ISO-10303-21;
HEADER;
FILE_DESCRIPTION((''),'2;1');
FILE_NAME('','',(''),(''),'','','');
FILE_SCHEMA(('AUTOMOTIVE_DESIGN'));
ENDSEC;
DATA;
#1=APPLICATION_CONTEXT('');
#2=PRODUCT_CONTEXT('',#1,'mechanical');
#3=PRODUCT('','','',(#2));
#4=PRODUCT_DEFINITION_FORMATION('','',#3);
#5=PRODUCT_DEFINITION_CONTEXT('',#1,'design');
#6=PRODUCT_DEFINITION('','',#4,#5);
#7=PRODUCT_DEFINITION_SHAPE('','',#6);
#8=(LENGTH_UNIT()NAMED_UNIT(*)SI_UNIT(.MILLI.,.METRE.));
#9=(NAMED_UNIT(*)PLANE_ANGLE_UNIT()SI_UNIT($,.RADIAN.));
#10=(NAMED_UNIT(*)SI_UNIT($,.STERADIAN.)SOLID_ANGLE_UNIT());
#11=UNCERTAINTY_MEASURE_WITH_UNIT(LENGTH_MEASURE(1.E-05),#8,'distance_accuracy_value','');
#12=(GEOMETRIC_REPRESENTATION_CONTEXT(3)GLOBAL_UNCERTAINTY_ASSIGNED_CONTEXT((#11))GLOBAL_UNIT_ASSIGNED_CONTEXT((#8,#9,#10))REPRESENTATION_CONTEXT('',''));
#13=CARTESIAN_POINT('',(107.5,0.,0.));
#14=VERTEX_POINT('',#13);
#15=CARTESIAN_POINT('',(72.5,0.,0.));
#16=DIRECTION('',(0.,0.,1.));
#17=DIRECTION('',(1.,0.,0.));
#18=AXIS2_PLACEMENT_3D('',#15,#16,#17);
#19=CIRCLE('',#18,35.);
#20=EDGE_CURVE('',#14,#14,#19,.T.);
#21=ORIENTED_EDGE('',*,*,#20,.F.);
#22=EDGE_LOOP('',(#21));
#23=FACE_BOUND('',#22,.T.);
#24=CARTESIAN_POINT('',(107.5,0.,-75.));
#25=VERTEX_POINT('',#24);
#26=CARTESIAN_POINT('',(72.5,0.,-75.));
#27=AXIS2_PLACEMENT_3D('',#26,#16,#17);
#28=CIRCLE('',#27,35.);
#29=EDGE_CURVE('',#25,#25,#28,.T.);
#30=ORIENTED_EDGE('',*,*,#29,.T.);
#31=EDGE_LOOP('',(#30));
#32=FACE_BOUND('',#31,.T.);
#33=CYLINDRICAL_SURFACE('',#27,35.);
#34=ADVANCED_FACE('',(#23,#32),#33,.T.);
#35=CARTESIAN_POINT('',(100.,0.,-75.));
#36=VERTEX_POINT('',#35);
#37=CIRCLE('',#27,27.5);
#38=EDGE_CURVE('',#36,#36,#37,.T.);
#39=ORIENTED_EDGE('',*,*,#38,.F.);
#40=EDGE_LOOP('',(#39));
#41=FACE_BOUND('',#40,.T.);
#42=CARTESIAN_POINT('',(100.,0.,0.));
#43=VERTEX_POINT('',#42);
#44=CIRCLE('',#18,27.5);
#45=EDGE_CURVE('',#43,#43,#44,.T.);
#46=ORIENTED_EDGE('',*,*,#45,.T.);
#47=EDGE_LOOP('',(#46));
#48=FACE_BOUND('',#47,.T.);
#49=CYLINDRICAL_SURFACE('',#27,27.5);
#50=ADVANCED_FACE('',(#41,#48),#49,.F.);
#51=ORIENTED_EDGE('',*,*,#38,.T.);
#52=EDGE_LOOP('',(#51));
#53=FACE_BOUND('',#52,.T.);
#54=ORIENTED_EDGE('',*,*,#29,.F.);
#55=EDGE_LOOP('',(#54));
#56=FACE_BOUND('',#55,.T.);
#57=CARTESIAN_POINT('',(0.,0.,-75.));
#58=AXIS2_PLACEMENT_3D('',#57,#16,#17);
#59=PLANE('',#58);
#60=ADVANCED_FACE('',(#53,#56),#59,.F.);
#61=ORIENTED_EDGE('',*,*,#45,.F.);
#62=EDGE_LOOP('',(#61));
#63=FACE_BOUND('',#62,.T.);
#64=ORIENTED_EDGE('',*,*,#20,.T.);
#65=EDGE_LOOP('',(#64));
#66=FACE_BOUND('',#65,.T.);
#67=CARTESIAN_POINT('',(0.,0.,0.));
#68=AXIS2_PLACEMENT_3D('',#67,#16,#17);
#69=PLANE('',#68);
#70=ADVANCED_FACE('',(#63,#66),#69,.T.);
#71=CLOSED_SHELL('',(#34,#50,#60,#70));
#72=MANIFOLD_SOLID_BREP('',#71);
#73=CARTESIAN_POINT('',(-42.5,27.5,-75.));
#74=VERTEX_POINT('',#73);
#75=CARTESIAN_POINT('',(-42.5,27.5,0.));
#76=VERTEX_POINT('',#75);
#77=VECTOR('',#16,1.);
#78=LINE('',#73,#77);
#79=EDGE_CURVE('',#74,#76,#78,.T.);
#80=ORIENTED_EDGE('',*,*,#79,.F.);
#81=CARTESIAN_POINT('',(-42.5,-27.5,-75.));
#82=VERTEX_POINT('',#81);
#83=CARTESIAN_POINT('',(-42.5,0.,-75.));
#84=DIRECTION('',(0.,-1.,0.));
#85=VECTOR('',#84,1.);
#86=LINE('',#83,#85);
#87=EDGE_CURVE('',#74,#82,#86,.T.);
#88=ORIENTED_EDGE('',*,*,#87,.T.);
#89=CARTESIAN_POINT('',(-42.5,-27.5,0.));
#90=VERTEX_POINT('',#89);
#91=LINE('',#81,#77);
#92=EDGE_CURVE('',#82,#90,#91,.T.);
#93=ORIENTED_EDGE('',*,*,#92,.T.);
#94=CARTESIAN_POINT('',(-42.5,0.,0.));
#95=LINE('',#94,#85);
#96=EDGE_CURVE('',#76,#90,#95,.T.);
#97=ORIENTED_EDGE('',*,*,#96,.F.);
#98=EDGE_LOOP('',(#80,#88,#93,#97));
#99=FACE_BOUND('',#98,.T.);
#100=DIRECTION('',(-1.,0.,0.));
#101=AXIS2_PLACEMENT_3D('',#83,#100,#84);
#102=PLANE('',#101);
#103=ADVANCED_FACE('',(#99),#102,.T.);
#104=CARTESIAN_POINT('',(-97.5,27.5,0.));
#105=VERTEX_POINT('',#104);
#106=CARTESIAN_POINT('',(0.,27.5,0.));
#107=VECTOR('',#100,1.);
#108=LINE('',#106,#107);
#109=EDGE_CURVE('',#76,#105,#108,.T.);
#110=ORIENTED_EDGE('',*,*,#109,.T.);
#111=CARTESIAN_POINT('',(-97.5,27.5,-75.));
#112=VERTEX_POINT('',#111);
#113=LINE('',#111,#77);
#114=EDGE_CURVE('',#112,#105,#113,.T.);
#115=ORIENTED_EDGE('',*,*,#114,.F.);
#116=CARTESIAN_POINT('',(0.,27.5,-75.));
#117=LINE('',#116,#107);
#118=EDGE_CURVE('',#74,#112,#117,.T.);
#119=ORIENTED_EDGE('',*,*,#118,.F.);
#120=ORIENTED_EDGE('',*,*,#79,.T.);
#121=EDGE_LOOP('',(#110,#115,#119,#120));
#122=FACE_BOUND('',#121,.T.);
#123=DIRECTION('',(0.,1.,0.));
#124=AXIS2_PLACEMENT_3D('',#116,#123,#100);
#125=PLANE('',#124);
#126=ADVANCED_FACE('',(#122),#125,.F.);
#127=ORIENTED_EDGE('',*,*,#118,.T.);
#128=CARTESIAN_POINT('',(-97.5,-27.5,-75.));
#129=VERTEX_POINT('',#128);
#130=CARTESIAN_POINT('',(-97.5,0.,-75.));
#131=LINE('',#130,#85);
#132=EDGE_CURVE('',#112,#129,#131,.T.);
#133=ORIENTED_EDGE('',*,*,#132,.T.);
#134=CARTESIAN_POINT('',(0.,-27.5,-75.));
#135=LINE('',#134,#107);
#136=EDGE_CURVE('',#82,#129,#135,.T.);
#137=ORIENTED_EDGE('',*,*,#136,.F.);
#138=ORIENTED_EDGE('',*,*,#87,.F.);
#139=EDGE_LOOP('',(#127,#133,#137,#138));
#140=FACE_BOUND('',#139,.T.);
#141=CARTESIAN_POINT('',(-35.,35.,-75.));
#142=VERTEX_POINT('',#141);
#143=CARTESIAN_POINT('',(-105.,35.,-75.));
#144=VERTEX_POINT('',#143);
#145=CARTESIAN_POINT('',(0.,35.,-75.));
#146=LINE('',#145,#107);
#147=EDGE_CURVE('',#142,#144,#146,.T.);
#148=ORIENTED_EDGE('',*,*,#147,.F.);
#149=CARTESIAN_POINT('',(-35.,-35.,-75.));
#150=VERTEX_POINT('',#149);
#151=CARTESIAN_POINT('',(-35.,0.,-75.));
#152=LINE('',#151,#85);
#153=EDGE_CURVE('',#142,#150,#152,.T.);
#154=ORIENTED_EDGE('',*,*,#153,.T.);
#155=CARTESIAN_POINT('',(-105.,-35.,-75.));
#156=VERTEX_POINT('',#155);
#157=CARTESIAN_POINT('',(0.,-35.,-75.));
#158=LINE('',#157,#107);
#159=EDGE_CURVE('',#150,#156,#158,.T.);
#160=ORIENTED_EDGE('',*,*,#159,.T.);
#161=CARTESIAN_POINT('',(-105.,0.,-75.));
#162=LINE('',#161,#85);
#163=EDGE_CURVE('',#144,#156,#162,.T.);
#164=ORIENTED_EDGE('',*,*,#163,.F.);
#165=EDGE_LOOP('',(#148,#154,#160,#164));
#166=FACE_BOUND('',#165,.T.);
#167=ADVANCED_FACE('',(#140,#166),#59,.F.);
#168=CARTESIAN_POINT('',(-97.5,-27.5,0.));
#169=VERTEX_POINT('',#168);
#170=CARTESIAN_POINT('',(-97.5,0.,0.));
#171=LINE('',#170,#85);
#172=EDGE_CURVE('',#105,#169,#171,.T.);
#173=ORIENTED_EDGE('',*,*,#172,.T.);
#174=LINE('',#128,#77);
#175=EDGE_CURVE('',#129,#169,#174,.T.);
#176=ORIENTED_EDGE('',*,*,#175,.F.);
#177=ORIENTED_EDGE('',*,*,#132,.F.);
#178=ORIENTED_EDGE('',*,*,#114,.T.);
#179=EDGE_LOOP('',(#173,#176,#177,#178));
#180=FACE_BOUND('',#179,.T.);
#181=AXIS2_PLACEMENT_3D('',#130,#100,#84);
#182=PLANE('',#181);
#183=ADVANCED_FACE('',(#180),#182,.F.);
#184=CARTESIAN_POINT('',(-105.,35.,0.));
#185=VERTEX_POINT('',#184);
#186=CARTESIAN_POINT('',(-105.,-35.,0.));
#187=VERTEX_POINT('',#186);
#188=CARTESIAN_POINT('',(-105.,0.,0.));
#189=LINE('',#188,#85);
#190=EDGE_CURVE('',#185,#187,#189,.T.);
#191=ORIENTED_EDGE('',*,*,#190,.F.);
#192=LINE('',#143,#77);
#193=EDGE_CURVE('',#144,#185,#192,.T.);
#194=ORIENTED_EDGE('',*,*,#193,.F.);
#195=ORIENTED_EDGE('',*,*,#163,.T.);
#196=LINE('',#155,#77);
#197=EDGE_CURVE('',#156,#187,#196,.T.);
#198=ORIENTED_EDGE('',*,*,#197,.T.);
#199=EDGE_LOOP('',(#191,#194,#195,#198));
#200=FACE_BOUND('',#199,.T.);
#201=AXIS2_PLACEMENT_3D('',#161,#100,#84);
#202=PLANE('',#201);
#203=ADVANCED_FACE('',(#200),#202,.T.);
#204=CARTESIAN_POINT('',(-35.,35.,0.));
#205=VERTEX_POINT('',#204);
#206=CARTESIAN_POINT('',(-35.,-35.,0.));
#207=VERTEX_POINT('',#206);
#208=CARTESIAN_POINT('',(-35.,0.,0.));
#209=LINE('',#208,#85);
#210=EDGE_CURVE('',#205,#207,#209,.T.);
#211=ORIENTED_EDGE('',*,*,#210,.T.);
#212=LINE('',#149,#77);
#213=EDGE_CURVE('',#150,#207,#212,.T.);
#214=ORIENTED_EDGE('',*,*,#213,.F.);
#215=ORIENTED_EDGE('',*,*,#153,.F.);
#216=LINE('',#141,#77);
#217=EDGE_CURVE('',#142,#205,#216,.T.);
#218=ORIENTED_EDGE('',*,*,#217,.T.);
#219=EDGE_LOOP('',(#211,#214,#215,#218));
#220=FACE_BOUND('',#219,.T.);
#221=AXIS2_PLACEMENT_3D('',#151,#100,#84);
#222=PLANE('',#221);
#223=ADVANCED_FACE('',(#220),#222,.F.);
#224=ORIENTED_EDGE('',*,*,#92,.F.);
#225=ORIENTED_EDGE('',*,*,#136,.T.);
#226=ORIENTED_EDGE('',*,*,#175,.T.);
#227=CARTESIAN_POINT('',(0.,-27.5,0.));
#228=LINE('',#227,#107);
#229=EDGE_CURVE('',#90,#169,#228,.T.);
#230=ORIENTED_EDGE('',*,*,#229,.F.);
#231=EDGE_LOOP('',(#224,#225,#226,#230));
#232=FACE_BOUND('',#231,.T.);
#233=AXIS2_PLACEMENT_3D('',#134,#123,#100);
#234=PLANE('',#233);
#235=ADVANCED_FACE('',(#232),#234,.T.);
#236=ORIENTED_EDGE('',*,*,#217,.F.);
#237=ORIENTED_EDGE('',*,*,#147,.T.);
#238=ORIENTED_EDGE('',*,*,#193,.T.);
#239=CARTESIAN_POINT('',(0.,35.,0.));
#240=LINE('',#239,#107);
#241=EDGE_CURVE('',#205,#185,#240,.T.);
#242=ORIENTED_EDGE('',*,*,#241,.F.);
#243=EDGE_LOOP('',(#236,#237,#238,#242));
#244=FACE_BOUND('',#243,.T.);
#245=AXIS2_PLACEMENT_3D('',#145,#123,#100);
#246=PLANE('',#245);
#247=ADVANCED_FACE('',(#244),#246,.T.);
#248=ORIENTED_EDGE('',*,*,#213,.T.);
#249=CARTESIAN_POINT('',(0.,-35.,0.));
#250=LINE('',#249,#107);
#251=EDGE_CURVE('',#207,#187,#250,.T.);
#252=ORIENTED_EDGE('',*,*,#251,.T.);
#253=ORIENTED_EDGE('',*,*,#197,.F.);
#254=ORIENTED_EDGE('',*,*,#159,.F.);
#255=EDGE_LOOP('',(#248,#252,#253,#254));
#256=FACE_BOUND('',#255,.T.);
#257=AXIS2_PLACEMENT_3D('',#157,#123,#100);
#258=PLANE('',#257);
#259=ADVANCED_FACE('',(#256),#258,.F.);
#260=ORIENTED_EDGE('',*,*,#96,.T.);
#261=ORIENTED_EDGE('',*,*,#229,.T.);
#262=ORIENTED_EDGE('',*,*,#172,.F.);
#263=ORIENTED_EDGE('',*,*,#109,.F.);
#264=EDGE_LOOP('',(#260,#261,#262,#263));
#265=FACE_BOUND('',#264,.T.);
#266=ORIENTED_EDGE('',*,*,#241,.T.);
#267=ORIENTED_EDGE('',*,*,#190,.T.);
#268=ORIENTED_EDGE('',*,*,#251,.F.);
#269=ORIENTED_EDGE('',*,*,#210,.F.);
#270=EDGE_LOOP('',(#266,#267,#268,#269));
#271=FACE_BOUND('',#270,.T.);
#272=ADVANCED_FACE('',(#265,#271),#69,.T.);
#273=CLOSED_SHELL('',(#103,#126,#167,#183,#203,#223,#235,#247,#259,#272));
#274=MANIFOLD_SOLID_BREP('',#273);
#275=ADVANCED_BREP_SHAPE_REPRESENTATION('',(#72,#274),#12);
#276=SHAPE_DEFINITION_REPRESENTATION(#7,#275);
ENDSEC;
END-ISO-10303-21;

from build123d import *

# Parameters (mm, degrees)
SKETCH3_W             = 70
SKETCH3_H             = 70
SKETCH3_W_2           = 55
SKETCH3_H_2           = 55
BOSS_EXTRUDE4_DEPTH   = 75
SKETCH3_R             = 35
SKETCH3_R_2           = 27.5
BOSS_EXTRUDE4_2_DEPTH = 75


with BuildPart() as part:
    # Sketch3 → Boss-Extrude4 (new body)
    with BuildSketch(Plane.XY):
        with Locations((-70, 0)):
            Rectangle(SKETCH3_W, SKETCH3_H)
        with Locations((-70, 0)):
            Rectangle(SKETCH3_W_2, SKETCH3_H_2, mode=Mode.SUBTRACT)
    extrude(amount=-BOSS_EXTRUDE4_DEPTH)


with BuildPart() as body_2:
    # Sketch3 → Boss-Extrude4 2 (new body)
    with BuildSketch(Plane.XY):
        with Locations((72.5, 0)):
            Circle(SKETCH3_R)
        with Locations((72.5, 0)):
            Circle(SKETCH3_R_2, mode=Mode.SUBTRACT)
    extrude(amount=-BOSS_EXTRUDE4_2_DEPTH)


solid = Compound([part.part, body_2.part])
